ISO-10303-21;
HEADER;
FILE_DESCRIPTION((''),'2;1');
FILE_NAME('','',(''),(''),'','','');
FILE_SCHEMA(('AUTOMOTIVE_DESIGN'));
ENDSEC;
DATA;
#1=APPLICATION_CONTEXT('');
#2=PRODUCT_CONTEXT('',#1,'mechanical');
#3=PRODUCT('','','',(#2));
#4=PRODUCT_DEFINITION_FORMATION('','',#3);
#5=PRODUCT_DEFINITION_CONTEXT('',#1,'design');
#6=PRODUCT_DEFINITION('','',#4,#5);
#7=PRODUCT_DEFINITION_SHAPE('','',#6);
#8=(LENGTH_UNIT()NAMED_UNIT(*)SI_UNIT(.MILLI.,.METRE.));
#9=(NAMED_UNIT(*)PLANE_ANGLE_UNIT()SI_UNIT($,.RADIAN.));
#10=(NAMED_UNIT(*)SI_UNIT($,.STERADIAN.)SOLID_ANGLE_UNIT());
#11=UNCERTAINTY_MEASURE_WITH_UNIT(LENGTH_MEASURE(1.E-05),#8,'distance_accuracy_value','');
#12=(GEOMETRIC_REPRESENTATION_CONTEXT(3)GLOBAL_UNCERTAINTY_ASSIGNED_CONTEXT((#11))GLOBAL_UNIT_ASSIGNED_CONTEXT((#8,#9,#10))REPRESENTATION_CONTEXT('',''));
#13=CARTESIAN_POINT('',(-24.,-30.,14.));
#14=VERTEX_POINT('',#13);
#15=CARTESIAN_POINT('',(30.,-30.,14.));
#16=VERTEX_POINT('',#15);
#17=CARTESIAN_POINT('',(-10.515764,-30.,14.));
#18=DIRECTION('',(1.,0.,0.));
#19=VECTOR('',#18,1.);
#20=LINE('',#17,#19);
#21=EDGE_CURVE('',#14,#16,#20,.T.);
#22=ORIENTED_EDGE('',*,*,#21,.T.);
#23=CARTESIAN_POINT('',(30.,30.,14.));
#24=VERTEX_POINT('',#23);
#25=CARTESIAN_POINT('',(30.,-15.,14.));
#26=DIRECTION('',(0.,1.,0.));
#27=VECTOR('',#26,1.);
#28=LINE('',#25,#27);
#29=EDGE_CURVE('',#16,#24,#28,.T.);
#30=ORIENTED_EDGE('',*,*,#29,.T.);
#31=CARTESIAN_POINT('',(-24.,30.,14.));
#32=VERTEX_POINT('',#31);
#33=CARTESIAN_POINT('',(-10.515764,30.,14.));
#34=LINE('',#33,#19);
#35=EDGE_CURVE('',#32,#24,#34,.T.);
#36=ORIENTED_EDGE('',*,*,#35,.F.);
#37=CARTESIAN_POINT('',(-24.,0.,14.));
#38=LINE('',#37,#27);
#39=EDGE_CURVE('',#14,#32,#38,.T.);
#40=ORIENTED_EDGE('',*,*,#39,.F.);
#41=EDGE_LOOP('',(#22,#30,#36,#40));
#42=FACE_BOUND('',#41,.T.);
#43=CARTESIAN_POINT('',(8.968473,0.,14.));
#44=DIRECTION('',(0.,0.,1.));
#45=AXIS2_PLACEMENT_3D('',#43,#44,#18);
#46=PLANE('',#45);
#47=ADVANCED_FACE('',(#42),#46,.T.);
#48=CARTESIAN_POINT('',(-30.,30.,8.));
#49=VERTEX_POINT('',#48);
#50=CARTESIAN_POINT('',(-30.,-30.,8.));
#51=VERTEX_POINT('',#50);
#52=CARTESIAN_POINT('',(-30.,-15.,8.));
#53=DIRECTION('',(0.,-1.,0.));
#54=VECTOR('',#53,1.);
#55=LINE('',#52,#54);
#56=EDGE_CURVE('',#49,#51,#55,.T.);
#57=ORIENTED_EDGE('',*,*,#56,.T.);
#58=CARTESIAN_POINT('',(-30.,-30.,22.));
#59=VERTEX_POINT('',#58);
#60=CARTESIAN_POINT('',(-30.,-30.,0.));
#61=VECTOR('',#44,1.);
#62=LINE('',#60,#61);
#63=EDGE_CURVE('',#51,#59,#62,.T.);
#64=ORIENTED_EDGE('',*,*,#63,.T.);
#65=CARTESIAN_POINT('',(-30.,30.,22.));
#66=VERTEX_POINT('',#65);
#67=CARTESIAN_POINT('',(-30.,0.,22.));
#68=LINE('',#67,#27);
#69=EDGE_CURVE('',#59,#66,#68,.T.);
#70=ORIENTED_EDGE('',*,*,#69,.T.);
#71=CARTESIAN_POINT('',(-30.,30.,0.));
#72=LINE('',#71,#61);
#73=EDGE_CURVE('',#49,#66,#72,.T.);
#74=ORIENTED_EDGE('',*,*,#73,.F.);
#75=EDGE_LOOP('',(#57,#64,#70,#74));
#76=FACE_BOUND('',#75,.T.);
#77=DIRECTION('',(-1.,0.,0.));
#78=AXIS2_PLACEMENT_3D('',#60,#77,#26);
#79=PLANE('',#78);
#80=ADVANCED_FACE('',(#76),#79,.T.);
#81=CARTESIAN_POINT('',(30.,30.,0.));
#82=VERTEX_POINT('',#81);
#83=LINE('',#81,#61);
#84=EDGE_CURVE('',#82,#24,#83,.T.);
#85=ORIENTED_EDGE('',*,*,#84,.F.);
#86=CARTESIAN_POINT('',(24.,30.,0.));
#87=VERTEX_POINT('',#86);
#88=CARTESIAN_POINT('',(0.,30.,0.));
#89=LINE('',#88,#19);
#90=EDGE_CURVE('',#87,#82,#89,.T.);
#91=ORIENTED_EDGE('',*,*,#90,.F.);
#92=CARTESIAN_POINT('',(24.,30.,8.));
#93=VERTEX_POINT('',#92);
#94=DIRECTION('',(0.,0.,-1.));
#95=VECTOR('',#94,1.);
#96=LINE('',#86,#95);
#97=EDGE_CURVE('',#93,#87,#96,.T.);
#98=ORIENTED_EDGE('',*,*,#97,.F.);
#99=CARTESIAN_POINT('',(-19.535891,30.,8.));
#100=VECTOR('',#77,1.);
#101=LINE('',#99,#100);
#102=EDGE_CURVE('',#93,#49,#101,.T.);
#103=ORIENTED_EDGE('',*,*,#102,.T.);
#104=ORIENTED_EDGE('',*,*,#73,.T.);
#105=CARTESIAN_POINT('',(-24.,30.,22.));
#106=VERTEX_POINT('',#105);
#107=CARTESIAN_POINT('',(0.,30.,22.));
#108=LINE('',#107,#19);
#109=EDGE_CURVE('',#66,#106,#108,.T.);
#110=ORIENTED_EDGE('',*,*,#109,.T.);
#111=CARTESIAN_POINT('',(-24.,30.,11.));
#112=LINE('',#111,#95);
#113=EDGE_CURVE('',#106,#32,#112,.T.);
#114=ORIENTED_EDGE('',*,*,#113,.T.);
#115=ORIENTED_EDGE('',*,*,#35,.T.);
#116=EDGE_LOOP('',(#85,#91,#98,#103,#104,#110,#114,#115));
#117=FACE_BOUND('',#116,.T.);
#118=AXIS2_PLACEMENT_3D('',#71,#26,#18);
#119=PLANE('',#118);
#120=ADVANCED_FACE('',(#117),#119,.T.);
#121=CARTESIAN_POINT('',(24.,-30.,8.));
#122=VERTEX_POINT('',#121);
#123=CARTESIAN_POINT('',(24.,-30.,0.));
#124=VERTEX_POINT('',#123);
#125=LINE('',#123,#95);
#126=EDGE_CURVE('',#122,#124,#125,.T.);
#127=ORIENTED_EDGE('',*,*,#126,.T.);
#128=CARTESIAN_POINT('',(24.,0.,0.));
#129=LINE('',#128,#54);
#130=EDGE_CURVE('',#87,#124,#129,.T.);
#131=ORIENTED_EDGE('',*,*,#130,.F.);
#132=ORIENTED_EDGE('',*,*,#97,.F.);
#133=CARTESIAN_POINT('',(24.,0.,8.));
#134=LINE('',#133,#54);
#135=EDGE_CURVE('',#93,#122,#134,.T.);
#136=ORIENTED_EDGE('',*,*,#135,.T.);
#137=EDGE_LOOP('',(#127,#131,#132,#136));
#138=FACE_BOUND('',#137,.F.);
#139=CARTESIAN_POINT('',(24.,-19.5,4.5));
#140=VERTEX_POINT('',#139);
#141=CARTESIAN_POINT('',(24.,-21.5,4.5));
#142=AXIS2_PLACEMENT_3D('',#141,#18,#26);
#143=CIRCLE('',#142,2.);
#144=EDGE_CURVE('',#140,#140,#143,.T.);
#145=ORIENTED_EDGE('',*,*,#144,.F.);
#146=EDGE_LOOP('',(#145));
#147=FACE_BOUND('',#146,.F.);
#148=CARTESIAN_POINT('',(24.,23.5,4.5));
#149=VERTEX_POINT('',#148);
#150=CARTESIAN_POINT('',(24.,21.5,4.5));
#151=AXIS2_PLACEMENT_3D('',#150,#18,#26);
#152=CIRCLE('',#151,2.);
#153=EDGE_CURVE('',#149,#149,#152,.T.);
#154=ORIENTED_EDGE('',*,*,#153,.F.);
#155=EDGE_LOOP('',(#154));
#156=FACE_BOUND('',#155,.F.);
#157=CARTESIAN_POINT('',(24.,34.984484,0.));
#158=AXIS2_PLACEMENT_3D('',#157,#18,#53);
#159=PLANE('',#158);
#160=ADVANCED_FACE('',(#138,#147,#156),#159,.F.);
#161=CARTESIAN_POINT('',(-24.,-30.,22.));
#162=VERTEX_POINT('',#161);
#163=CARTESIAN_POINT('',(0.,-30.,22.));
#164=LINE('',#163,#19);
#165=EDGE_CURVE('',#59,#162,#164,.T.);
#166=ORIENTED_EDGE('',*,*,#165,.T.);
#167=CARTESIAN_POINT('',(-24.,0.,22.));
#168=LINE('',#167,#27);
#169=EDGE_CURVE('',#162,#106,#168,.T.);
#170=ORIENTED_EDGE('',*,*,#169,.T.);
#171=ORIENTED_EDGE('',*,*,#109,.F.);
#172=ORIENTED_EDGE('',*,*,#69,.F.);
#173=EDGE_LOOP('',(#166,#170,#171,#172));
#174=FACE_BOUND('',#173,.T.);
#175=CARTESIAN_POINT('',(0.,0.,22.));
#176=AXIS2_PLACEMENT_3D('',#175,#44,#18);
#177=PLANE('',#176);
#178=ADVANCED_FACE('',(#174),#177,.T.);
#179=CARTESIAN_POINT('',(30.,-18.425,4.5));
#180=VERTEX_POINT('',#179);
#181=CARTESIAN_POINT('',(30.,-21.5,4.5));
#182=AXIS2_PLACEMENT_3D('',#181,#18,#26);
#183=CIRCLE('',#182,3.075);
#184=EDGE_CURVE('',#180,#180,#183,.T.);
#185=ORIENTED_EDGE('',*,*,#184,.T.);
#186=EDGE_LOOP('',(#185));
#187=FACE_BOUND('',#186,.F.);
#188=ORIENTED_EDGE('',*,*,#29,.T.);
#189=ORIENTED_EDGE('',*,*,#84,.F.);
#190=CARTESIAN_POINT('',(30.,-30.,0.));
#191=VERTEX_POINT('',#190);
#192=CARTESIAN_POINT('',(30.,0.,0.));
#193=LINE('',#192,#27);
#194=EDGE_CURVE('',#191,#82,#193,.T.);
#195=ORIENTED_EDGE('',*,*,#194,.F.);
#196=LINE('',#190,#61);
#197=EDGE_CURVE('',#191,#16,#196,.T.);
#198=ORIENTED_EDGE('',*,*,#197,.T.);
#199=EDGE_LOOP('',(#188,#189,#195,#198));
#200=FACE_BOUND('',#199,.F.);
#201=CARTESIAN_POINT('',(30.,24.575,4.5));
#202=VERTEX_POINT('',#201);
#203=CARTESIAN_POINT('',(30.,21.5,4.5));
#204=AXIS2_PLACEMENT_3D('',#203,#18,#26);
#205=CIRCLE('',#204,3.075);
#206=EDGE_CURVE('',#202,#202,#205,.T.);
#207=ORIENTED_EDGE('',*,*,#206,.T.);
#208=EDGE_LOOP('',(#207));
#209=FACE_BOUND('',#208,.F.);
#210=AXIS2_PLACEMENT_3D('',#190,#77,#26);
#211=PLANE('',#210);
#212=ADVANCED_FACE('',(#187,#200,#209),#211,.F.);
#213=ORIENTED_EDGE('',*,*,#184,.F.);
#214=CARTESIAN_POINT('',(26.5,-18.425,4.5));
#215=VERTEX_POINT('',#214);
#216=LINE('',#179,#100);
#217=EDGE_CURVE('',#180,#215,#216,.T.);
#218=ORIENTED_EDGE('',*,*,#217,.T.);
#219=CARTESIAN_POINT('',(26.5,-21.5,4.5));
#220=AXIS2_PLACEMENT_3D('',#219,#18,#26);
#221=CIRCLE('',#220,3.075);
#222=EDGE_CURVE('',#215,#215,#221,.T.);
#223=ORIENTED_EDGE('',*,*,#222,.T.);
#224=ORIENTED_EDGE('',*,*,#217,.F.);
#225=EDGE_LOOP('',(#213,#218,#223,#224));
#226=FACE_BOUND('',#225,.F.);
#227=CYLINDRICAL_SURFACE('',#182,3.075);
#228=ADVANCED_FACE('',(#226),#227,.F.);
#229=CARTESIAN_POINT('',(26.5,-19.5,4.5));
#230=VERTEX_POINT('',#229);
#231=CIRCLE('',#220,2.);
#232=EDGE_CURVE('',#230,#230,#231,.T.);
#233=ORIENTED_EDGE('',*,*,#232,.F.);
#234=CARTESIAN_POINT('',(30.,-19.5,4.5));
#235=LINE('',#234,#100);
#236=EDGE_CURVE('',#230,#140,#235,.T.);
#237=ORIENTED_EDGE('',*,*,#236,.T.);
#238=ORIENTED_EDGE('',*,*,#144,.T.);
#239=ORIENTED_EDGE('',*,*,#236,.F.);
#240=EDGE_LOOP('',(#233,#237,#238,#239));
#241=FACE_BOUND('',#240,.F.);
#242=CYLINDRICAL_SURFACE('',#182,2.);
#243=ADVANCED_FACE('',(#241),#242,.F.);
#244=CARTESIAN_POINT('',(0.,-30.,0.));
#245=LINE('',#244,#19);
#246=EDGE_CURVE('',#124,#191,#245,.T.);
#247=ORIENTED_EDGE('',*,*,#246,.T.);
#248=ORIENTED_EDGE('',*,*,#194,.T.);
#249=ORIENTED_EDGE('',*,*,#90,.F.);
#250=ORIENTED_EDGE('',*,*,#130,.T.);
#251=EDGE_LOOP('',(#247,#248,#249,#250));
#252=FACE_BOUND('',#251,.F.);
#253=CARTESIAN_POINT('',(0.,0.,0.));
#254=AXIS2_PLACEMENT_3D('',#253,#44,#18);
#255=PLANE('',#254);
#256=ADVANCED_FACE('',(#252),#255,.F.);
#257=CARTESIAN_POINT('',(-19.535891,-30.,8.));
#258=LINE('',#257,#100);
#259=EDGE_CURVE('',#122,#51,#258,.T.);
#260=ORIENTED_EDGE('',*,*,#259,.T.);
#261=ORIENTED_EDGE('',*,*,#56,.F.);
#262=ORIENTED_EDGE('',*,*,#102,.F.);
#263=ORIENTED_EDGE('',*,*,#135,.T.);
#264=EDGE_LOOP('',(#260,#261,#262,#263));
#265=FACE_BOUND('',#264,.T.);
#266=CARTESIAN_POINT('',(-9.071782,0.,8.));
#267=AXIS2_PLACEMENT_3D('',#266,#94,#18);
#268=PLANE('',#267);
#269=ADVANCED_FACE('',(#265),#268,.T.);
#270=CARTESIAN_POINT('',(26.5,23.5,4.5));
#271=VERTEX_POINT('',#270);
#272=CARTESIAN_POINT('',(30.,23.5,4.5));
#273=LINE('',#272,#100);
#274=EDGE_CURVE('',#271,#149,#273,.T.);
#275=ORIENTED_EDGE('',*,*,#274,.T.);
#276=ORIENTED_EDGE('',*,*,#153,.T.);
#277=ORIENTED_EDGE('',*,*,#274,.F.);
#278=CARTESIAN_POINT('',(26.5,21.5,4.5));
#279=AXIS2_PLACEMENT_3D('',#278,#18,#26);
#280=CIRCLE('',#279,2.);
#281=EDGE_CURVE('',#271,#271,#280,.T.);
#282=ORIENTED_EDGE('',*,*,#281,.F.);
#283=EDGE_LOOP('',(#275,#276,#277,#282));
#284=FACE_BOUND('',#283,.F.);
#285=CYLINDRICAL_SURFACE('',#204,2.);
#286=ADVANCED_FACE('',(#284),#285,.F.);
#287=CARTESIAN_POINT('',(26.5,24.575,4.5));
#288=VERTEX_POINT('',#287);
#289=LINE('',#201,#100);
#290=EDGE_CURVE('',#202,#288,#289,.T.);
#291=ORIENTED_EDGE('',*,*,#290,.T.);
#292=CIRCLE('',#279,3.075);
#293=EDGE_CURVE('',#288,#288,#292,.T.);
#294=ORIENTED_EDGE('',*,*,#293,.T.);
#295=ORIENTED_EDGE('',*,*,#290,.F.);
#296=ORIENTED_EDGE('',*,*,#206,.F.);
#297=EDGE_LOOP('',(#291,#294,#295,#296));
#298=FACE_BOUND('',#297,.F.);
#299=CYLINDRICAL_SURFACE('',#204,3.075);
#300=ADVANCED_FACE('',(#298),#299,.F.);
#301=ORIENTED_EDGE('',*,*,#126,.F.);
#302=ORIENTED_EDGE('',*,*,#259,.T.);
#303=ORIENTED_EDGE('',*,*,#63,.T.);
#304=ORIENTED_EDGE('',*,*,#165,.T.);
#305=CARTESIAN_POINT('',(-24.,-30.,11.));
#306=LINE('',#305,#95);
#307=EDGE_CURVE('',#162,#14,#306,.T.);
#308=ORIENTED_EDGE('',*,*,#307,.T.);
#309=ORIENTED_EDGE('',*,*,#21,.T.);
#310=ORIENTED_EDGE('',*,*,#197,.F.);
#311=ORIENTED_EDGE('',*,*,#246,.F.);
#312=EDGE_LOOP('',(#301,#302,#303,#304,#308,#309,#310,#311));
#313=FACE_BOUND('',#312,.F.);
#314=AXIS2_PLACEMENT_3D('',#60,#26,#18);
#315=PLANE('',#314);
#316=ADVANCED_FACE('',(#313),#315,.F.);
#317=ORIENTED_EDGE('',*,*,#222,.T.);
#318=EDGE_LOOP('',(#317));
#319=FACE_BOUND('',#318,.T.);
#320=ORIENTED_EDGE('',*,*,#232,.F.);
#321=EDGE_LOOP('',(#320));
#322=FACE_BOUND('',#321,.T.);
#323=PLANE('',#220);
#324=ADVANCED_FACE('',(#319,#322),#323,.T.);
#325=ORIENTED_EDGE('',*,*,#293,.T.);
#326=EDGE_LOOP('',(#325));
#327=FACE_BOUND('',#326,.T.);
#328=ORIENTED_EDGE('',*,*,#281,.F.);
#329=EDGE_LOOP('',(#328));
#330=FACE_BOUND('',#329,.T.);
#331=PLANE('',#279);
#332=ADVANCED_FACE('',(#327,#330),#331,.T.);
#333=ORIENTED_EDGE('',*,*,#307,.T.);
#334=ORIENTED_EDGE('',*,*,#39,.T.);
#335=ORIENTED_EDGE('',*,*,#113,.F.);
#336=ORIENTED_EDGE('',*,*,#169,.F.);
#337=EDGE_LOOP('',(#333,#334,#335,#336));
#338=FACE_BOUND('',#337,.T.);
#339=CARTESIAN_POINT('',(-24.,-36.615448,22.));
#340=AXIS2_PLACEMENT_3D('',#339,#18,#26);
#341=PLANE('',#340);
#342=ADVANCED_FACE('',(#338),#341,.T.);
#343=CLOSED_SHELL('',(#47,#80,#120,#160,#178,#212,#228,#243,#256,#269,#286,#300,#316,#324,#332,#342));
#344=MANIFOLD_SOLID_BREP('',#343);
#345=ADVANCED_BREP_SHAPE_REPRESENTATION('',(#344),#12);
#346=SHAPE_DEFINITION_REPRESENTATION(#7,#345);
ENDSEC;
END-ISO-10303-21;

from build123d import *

# Parameters (mm, degrees)
F0_W     = 60
F0_H     = 60
F1_DEPTH = 22
F2_W     = 65.936946
F2_H     = 73.230896
F3_DEPTH = 8
F4_W     = 66.143565
F4_H     = 69.968968
F5_DEPTH = 8
F6_R     = 2
F7_DEPTH = 8
F8_R     = 3.075
F9_DEPTH = 3.5


with BuildPart() as f1:
    # F0 (on Top) → F1 (new body)
    with BuildSketch(Plane.XY):
        Rectangle(F0_W, F0_H)
    extrude(amount=F1_DEPTH)

    # F2 (on face) → F3 (cut)
    with BuildSketch(Plane.XY.offset(22)):
        with Locations((8.968473, 0)):
            Rectangle(F2_W, F2_H)
    extrude(amount=-F3_DEPTH, mode=Mode.SUBTRACT)

    # F4 (on face) → F5 (cut)
    with BuildSketch(Plane(origin=(0, 0, 0), x_dir=(1, 0, 0), z_dir=(0, 0, -1))):
        with Locations((-9.071782, 0)):
            Rectangle(F4_W, F4_H)
    extrude(amount=-F5_DEPTH, mode=Mode.SUBTRACT)

    # F6 (on face) → F7 (cut)
    with BuildSketch(Plane.YZ.offset(30)):
        with Locations((21.5, 4.5)):
            Circle(F6_R)
        with Locations((-21.5, 4.5)):
            Circle(F6_R)
    extrude(amount=-F7_DEPTH, mode=Mode.SUBTRACT)

    # F8 (on face) → F9 (cut)
    with BuildSketch(Plane.YZ.offset(30)):
        with Locations((-21.5, 4.5)):
            Circle(F8_R)
        with Locations((21.5, 4.5)):
            Circle(F8_R)
    extrude(amount=-F9_DEPTH, mode=Mode.SUBTRACT)


solid = f1.part
